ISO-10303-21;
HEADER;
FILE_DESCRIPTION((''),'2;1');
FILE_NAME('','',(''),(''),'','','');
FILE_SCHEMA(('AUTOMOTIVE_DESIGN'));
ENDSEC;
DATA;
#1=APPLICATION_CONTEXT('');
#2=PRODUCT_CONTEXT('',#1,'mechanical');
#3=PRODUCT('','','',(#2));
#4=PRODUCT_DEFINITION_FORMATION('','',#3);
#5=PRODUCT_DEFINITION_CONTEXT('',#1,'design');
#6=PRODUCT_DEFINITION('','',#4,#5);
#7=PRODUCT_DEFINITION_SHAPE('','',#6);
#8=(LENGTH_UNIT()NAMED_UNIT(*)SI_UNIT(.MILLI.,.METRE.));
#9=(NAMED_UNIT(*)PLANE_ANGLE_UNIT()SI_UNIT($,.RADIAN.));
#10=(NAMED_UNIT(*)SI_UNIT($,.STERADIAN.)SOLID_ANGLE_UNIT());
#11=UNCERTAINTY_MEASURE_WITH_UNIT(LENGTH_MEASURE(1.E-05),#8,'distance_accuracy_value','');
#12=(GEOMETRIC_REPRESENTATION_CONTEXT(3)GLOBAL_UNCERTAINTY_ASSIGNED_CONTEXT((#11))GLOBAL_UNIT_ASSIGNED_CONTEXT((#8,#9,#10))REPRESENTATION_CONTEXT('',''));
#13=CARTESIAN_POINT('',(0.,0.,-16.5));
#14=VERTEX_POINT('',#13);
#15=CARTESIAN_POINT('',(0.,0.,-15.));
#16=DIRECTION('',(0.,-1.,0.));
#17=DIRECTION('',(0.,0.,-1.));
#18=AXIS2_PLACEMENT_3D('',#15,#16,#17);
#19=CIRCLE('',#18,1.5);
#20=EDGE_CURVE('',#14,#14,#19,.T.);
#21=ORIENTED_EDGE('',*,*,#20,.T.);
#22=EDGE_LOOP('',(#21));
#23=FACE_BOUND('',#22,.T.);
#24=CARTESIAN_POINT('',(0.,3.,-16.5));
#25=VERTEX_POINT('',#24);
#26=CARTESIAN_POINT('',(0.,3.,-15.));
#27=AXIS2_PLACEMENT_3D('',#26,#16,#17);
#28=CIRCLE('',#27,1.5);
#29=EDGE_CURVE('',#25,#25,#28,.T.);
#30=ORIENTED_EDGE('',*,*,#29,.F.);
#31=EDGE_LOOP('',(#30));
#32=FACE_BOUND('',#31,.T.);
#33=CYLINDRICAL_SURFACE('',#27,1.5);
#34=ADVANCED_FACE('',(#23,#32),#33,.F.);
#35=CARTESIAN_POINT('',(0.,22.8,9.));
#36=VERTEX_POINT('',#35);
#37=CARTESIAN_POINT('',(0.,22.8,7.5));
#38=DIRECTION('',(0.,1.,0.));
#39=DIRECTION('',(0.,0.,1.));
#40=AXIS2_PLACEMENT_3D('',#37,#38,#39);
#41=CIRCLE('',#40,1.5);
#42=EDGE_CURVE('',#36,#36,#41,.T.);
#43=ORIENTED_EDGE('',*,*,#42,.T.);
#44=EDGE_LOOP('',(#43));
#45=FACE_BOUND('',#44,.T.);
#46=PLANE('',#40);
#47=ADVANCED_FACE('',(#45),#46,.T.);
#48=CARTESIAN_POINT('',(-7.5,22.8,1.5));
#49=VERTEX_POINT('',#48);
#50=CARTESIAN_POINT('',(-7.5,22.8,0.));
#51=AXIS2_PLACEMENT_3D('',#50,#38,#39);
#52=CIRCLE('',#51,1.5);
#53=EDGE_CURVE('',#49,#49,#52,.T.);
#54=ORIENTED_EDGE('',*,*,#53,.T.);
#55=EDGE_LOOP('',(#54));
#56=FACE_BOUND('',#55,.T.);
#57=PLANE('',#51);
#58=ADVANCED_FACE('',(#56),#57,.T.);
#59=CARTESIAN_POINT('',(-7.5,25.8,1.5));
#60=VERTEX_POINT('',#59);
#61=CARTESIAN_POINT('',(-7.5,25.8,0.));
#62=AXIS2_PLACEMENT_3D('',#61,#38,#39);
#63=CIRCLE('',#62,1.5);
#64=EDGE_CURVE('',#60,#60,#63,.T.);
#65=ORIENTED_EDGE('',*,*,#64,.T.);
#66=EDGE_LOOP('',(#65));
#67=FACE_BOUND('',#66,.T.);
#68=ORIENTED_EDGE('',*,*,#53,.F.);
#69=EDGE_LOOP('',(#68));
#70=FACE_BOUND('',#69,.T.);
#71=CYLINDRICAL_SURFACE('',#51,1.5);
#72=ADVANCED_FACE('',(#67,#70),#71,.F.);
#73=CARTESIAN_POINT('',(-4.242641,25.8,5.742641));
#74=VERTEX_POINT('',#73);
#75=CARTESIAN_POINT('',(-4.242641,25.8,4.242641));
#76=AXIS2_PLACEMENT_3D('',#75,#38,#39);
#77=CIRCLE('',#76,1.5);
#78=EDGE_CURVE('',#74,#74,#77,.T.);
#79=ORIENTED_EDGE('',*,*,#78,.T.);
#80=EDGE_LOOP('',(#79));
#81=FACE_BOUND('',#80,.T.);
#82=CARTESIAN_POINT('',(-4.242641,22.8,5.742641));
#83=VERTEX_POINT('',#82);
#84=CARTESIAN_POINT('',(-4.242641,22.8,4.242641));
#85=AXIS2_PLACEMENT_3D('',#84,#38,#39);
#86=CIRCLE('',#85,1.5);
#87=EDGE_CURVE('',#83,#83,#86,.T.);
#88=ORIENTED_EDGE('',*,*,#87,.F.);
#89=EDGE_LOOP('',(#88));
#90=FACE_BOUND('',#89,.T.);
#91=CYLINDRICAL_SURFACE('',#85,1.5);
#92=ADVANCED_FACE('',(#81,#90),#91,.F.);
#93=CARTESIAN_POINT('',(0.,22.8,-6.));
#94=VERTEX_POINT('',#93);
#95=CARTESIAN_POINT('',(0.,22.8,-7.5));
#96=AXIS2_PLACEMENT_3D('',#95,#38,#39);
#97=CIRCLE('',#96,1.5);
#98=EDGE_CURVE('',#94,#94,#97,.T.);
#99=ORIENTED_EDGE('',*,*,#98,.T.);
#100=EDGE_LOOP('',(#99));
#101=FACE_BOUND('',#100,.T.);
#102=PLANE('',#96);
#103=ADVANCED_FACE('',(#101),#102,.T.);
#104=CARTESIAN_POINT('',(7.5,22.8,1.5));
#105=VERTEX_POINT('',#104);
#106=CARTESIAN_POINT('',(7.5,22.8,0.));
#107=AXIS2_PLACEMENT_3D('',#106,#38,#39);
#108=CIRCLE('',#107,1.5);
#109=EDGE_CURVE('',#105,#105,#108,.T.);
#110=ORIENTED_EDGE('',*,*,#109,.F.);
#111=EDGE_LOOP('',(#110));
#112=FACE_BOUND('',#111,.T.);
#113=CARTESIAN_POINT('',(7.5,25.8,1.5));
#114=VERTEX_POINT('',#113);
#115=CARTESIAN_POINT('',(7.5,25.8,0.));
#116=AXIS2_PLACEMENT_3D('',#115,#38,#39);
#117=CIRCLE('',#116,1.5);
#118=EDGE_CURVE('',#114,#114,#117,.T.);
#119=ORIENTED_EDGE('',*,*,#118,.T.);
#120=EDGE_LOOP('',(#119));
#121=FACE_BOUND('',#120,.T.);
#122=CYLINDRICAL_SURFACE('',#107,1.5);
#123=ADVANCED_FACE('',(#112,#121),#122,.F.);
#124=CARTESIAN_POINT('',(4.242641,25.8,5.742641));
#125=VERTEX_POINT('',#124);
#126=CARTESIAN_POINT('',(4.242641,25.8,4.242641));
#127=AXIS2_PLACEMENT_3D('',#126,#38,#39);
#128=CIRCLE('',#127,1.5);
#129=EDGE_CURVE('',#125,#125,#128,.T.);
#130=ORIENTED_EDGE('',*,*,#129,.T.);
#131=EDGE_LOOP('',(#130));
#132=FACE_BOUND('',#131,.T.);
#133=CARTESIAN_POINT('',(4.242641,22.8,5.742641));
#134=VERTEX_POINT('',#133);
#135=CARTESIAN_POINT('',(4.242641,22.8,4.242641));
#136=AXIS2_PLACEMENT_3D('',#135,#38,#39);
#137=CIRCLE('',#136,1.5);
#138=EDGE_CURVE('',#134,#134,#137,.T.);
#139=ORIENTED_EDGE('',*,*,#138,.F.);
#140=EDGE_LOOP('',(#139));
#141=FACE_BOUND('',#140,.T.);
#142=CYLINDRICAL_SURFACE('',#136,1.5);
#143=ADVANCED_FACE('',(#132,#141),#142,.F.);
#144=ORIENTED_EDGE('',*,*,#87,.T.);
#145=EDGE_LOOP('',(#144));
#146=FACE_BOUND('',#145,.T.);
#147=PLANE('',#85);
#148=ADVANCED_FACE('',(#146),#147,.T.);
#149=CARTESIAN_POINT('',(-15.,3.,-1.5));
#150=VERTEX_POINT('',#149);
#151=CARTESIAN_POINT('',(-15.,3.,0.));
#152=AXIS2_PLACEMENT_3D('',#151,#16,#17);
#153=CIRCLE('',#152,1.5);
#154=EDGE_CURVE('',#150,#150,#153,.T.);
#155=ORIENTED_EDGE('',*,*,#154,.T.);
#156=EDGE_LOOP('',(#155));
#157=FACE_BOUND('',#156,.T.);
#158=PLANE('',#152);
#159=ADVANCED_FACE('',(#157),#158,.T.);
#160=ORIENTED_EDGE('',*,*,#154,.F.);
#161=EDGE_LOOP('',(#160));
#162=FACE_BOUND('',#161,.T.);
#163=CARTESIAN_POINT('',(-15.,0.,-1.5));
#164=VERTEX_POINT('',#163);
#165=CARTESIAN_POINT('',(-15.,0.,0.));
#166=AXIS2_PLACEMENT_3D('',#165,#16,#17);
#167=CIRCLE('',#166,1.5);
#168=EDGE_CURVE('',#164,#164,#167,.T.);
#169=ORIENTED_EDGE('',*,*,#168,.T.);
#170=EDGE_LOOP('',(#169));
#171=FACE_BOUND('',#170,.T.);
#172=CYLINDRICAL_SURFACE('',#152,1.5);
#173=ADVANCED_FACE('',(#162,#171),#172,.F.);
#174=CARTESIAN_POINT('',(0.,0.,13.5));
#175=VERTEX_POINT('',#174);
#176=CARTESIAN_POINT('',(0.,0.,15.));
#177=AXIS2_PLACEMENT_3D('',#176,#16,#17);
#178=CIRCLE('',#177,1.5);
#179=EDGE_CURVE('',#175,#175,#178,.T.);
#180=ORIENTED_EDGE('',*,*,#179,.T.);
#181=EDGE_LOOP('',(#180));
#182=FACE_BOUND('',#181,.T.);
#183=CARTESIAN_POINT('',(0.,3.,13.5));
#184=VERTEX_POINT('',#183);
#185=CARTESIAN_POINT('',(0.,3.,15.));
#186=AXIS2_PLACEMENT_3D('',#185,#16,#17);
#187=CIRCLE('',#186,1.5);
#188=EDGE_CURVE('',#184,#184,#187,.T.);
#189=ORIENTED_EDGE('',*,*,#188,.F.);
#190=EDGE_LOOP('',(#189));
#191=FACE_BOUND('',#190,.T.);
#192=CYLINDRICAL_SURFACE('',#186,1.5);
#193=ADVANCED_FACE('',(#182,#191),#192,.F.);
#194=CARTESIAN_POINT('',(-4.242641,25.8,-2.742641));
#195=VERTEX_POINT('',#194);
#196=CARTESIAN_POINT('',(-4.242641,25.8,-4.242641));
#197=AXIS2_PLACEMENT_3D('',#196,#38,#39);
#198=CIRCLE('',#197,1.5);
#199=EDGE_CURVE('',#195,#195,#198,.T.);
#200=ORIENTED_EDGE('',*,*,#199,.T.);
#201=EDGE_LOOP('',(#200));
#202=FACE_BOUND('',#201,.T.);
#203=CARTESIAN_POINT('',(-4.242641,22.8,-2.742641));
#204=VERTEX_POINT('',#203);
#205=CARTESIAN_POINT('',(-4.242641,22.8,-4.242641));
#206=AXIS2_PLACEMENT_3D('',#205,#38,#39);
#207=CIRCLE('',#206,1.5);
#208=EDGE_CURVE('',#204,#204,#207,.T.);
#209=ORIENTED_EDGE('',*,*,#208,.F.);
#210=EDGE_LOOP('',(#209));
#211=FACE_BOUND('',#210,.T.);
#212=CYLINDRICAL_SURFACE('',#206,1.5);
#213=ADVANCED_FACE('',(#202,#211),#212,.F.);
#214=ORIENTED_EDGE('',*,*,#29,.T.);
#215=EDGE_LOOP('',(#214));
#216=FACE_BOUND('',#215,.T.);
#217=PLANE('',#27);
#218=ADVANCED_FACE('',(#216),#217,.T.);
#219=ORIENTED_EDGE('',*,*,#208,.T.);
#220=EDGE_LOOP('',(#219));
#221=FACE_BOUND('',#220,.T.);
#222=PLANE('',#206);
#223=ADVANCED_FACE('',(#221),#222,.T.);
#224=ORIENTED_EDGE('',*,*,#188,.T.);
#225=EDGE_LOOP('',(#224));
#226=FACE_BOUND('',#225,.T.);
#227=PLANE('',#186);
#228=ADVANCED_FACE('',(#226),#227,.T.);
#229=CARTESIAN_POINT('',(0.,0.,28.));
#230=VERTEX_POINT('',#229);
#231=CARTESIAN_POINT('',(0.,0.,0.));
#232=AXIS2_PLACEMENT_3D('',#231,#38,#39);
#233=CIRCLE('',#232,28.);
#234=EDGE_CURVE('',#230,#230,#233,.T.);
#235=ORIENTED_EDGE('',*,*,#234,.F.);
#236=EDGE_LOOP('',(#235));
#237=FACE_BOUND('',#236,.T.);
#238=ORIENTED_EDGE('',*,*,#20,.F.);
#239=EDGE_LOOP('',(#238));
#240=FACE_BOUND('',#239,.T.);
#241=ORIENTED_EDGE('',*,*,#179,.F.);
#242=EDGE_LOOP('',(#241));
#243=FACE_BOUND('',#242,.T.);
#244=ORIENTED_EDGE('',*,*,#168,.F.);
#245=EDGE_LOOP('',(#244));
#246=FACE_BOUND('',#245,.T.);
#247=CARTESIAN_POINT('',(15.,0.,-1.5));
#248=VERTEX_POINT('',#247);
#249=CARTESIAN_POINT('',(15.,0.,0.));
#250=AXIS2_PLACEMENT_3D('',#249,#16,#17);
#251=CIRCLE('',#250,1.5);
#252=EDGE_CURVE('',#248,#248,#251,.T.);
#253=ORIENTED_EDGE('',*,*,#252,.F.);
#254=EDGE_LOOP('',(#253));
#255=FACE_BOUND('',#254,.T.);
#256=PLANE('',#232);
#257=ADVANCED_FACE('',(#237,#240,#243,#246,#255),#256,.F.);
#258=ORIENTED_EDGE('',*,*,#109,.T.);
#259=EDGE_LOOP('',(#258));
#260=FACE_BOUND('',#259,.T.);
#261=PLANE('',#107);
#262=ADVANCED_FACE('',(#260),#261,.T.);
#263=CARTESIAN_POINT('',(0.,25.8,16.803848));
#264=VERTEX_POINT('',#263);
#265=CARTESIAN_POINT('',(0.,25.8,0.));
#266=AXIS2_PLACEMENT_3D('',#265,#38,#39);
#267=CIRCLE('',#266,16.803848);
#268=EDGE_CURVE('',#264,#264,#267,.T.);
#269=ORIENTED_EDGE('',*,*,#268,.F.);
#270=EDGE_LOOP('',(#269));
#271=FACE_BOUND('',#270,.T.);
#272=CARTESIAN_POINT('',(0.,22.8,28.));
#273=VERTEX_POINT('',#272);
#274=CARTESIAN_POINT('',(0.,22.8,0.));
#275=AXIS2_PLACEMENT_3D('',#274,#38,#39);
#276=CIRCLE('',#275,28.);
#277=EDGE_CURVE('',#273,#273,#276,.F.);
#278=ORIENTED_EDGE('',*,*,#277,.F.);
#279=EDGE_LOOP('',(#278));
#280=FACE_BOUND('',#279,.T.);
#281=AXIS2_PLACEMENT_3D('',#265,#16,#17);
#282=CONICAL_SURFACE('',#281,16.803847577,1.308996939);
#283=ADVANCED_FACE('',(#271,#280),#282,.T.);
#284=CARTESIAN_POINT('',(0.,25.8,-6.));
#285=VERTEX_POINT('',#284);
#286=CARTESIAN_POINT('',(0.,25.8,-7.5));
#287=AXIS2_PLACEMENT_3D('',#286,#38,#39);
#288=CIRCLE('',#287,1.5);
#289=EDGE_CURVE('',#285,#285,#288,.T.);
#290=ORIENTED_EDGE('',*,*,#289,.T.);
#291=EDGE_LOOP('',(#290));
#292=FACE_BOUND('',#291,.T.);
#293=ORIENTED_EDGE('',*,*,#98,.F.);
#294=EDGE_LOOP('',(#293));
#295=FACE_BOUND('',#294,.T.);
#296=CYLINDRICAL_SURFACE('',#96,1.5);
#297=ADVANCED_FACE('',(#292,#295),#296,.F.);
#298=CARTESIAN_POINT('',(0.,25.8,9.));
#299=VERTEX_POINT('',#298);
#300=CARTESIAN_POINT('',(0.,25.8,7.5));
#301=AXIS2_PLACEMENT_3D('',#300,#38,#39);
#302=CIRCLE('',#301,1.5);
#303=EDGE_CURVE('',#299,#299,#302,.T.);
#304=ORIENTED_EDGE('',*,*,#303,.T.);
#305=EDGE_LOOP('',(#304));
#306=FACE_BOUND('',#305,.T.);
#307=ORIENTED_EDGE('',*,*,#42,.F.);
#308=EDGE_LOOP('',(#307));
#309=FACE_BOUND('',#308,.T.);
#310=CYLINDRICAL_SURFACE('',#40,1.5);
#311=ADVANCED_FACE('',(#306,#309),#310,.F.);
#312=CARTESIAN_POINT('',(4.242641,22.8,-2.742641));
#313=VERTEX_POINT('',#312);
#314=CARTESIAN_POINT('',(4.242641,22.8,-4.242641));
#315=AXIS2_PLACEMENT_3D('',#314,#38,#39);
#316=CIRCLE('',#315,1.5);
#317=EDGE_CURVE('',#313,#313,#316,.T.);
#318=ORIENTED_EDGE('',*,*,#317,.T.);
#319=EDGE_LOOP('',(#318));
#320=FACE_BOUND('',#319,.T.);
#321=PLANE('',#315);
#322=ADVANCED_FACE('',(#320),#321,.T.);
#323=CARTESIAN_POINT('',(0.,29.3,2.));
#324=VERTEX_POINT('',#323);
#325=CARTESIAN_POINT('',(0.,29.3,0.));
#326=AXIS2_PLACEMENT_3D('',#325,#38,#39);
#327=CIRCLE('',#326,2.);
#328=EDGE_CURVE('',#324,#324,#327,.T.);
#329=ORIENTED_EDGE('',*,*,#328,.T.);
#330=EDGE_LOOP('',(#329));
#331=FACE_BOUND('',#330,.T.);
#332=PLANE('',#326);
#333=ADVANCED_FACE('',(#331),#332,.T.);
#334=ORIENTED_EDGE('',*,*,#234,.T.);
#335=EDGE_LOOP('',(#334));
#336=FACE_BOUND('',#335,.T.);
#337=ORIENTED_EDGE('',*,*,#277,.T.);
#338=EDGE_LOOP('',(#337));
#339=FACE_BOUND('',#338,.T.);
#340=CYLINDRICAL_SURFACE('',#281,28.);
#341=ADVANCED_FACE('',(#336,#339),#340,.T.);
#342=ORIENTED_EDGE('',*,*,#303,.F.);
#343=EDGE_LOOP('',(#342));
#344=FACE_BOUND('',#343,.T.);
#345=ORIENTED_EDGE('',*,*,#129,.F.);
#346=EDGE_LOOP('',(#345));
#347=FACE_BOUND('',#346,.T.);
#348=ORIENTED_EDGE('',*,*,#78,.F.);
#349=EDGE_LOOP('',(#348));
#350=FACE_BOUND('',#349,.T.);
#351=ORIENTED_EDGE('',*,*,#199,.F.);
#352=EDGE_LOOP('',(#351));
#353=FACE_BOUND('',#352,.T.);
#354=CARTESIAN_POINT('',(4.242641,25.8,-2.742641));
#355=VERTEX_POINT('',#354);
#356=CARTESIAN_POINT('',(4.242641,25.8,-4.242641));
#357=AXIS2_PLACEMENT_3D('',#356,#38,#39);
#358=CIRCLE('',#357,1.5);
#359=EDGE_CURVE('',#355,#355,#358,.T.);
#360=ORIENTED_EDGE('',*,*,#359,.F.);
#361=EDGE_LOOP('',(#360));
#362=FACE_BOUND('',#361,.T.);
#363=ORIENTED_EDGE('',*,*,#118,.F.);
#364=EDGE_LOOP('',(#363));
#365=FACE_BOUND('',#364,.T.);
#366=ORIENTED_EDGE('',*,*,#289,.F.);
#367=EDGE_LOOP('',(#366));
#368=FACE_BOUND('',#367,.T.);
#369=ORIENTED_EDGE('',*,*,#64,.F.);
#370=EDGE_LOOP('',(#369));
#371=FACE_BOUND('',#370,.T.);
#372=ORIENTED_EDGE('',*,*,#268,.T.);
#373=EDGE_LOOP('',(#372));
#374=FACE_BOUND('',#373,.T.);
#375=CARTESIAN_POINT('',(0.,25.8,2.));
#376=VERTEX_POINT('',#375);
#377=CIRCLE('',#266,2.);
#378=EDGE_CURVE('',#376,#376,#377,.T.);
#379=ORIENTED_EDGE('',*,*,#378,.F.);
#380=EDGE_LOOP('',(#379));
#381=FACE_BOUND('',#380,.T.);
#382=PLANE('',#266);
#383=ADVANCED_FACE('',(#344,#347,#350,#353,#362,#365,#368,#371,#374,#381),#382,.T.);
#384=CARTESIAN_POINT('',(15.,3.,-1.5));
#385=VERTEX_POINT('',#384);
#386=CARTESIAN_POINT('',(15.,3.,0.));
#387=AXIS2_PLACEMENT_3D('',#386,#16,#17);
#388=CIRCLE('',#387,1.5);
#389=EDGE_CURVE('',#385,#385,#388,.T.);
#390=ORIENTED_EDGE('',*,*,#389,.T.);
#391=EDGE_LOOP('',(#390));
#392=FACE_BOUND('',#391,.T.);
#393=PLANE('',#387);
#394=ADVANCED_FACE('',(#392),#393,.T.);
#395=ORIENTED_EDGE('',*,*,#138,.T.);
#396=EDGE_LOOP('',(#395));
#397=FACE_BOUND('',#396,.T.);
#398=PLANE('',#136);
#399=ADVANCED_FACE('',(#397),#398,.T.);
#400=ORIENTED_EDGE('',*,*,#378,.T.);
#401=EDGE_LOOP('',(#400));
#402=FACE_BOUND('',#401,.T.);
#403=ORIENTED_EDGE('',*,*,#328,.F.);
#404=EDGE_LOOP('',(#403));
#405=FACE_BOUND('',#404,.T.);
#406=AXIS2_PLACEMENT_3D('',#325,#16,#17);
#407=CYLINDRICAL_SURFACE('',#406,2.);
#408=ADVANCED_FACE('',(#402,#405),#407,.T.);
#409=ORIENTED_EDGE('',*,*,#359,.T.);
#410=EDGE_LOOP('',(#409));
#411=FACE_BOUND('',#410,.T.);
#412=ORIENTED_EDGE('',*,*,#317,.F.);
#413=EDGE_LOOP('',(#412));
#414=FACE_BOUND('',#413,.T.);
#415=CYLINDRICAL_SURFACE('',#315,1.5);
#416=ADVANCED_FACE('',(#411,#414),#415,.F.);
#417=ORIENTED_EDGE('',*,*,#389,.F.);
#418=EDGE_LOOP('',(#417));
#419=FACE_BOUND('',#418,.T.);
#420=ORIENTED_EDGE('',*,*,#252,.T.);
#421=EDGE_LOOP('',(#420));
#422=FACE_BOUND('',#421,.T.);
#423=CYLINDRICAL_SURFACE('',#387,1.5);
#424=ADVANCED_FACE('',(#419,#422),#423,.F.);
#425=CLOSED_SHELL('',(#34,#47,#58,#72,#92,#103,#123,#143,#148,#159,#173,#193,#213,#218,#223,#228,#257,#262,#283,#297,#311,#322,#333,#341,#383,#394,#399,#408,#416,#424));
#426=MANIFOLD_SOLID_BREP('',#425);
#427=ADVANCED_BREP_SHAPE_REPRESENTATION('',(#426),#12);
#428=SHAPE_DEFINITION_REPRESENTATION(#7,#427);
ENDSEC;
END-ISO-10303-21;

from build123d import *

# Parameters (mm, degrees)
SKETCH1_R           = 28
BOSS_EXTRUDE1_DEPTH = 25.8
SKETCH2_R           = 2
BOSS_EXTRUDE2_DEPTH = 3.5
SKETCH3_R           = 1.5
CUT_EXTRUDE1_DEPTH  = 3
SKETCH4_R           = 1.5
CUT_EXTRUDE2_DEPTH  = 3
CHAMFER1_SIZE       = 3
CHAMFER1_SIZE2      = 11.196152423


with BuildPart() as part:
    # Sketch1 → Boss-Extrude1 (new body)
    with BuildSketch(Plane(origin=(0, 0, 0), x_dir=(1, 0, 0), z_dir=(0, 1, 0))):
        Circle(SKETCH1_R)
    extrude(amount=BOSS_EXTRUDE1_DEPTH)

    # Sketch2 → Boss-Extrude2 (add)
    with BuildSketch(Plane(origin=(0, 25.8, 0), x_dir=(1, 0, 0), z_dir=(0, 1, 0))):
        Circle(SKETCH2_R)
    extrude(amount=BOSS_EXTRUDE2_DEPTH)

    # Sketch3 → Cut-Extrude1 (cut)
    with BuildSketch(Plane.XZ):
        with Locations((0, 15)):
            Circle(SKETCH3_R)
        with Locations((15, 0)):
            Circle(SKETCH3_R)
        with Locations((0, -15)):
            Circle(SKETCH3_R)
        with Locations((-15, 0)):
            Circle(SKETCH3_R)
    extrude(amount=-CUT_EXTRUDE1_DEPTH, mode=Mode.SUBTRACT)

    # Sketch4 → Cut-Extrude2 (cut)
    with BuildSketch(Plane(origin=(0, 25.8, 0), x_dir=(1, 0, 0), z_dir=(0, 1, 0))):
        with Locations((0, 7.5)):
            Circle(SKETCH4_R)
        with Locations((7.5, 0)):
            Circle(SKETCH4_R)
        with Locations((0, -7.5)):
            Circle(SKETCH4_R)
        with Locations((-7.5, 0)):
            Circle(SKETCH4_R)
        with Locations((4.242640687, 4.242640687)):
            Circle(SKETCH4_R)
        with Locations((4.242640687, -4.242640687)):
            Circle(SKETCH4_R)
        with Locations((-4.242640687, -4.242640687)):
            Circle(SKETCH4_R)
        with Locations((-4.242640687, 4.242640687)):
            Circle(SKETCH4_R)
    extrude(amount=-CUT_EXTRUDE2_DEPTH, mode=Mode.SUBTRACT)

    # Chamfer1
    chamfer1_edges = [part.edges().sort_by_distance(p)[0] for p in [
        (-28, 25.8, 0),
    ]]
    chamfer1_side = [part.faces().sort_by_distance(p)[0] for p in [
        (-28, 12.9, 0),
    ]]
    chamfer(chamfer1_edges, length=CHAMFER1_SIZE, length2=CHAMFER1_SIZE2, reference=chamfer1_side[0])


solid = part.part
